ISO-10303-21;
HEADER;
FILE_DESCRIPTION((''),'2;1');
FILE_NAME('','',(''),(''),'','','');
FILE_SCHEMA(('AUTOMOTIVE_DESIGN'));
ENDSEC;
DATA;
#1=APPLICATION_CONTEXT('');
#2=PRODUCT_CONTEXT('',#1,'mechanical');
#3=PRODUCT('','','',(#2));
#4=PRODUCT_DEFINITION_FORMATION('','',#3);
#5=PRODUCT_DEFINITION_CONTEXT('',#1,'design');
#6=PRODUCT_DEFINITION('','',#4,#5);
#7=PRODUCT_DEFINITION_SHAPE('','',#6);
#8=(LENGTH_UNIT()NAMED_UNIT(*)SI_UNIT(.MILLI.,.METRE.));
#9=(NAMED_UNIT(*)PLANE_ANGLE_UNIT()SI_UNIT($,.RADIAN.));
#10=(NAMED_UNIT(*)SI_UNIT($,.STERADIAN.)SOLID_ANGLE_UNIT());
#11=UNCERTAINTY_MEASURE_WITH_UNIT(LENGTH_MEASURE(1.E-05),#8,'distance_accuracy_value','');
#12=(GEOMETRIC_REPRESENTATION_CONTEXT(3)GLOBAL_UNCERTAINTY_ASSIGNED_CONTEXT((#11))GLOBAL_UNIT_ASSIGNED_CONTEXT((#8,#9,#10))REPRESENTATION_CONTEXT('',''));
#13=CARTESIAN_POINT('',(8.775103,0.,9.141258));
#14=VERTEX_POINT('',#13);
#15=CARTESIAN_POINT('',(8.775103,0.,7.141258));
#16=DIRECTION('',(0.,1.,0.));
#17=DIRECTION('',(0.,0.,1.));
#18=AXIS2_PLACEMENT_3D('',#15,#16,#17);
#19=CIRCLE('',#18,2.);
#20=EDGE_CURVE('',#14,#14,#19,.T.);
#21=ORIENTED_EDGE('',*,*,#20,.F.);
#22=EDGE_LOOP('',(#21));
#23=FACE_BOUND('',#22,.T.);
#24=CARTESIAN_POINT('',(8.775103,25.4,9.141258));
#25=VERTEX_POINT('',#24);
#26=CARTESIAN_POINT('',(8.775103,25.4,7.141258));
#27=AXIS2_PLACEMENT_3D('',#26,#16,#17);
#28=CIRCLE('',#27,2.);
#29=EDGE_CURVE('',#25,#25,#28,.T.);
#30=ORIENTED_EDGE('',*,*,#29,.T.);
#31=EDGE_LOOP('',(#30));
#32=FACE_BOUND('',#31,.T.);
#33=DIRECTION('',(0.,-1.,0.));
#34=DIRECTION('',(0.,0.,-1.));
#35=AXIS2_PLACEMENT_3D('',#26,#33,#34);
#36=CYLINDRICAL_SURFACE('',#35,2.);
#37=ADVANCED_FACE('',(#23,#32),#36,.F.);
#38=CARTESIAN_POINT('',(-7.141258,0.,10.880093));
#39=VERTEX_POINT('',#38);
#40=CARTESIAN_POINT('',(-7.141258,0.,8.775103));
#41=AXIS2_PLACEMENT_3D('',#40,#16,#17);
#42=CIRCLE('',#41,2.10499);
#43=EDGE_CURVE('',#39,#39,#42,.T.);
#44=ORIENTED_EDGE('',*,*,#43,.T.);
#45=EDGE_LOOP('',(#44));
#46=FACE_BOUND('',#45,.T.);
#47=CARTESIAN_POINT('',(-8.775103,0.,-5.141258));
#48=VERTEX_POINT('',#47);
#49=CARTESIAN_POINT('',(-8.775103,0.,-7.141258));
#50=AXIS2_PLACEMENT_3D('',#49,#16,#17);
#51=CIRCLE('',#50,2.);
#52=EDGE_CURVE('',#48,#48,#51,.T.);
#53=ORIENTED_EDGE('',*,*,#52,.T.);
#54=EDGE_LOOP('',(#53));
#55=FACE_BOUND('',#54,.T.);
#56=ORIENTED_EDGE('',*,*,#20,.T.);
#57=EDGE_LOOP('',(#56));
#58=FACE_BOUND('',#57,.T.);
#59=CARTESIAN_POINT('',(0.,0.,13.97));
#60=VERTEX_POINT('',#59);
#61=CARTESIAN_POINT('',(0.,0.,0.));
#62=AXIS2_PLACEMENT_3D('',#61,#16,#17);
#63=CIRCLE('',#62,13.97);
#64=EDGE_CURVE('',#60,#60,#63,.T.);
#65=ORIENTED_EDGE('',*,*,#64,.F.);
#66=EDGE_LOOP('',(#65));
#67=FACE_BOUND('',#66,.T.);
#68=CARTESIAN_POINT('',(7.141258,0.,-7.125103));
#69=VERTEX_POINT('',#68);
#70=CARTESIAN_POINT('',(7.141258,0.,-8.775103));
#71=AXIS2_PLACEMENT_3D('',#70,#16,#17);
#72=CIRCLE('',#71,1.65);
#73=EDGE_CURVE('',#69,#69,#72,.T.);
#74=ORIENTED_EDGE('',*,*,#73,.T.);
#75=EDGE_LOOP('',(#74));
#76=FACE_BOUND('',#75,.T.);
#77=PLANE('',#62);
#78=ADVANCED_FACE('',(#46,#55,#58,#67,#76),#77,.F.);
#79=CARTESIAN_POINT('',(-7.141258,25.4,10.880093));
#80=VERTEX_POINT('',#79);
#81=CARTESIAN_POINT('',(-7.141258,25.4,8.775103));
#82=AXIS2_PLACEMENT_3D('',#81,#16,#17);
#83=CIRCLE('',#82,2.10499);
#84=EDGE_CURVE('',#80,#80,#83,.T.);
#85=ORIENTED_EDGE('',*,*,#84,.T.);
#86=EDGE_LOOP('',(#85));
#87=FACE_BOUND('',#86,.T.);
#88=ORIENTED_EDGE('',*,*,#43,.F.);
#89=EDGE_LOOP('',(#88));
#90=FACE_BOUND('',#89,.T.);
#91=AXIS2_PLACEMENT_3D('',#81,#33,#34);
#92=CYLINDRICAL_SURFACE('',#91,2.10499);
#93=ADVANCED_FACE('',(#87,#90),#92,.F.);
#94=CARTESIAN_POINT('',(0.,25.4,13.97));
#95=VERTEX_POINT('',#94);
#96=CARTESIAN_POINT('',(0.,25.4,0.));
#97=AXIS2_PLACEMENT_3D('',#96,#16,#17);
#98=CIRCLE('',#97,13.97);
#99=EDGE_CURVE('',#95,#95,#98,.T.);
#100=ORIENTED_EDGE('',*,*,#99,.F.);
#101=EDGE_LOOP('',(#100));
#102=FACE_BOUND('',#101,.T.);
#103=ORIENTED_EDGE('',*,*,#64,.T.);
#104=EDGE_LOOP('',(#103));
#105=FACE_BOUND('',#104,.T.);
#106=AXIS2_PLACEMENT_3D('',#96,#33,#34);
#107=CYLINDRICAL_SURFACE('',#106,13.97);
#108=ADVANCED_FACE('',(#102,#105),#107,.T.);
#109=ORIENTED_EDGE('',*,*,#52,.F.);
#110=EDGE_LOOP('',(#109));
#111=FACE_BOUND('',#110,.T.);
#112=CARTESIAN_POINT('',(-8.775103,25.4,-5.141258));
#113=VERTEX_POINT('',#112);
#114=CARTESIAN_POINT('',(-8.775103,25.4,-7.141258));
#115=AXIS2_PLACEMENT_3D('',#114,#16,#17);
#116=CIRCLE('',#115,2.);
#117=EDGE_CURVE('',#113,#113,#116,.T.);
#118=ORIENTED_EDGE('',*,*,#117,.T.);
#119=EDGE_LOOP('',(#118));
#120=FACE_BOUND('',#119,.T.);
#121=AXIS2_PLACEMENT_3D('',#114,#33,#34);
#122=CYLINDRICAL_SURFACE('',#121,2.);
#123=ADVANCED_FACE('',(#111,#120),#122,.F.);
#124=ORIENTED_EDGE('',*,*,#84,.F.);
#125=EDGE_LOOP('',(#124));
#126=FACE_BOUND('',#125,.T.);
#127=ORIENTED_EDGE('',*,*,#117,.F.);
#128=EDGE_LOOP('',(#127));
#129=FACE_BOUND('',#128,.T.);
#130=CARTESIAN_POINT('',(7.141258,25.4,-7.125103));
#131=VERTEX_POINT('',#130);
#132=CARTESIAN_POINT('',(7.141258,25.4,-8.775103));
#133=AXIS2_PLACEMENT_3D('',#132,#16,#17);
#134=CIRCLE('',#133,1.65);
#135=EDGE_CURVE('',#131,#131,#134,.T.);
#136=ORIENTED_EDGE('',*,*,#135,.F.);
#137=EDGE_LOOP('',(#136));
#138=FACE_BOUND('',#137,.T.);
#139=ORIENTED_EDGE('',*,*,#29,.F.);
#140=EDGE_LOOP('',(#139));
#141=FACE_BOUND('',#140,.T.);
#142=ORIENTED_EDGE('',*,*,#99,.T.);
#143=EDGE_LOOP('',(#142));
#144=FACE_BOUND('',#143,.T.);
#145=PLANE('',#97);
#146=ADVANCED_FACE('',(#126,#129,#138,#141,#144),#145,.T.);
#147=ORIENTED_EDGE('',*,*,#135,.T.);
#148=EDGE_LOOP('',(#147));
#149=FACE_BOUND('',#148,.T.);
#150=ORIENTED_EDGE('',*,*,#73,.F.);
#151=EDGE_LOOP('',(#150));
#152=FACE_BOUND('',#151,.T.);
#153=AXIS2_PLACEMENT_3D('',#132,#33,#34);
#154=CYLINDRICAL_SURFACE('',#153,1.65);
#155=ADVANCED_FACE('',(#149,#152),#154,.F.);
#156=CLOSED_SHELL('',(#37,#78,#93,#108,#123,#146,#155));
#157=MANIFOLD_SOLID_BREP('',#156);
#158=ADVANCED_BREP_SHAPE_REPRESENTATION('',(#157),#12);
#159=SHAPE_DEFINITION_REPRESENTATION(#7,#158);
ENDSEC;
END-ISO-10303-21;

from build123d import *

# Parameters (mm, degrees)
SKETCH1_R           = 13.97
SKETCH1_R_2         = 2
SKETCH1_R_3         = 1.65
SKETCH1_R_4         = 2.104990058
BOSS_EXTRUDE1_DEPTH = 25.4


with BuildPart() as part:
    # Sketch1 → Boss-Extrude1 (new body)
    with BuildSketch(Plane(origin=(0, 0, 0), x_dir=(1, 0, 0), z_dir=(0, 1, 0))):
        with Locations(Location((0, 0, 0), (0, 0, 270))):
            Circle(SKETCH1_R)
        with Locations(Location((-8.775103202, 7.141257858, 0), (0, 0, 270))):
            Circle(SKETCH1_R_2, mode=Mode.SUBTRACT)
        with Locations(Location((7.141257858, 8.775103202, 0), (0, 0, 270))):
            Circle(SKETCH1_R_3, mode=Mode.SUBTRACT)
        with Locations(Location((-7.141257858, -8.775103202, 0), (0, 0, 270))):
            Circle(SKETCH1_R_4, mode=Mode.SUBTRACT)
        with Locations(Location((8.775103202, -7.141257858, 0), (0, 0, 270))):
            Circle(SKETCH1_R_2, mode=Mode.SUBTRACT)
    extrude(amount=BOSS_EXTRUDE1_DEPTH)


solid = part.part
